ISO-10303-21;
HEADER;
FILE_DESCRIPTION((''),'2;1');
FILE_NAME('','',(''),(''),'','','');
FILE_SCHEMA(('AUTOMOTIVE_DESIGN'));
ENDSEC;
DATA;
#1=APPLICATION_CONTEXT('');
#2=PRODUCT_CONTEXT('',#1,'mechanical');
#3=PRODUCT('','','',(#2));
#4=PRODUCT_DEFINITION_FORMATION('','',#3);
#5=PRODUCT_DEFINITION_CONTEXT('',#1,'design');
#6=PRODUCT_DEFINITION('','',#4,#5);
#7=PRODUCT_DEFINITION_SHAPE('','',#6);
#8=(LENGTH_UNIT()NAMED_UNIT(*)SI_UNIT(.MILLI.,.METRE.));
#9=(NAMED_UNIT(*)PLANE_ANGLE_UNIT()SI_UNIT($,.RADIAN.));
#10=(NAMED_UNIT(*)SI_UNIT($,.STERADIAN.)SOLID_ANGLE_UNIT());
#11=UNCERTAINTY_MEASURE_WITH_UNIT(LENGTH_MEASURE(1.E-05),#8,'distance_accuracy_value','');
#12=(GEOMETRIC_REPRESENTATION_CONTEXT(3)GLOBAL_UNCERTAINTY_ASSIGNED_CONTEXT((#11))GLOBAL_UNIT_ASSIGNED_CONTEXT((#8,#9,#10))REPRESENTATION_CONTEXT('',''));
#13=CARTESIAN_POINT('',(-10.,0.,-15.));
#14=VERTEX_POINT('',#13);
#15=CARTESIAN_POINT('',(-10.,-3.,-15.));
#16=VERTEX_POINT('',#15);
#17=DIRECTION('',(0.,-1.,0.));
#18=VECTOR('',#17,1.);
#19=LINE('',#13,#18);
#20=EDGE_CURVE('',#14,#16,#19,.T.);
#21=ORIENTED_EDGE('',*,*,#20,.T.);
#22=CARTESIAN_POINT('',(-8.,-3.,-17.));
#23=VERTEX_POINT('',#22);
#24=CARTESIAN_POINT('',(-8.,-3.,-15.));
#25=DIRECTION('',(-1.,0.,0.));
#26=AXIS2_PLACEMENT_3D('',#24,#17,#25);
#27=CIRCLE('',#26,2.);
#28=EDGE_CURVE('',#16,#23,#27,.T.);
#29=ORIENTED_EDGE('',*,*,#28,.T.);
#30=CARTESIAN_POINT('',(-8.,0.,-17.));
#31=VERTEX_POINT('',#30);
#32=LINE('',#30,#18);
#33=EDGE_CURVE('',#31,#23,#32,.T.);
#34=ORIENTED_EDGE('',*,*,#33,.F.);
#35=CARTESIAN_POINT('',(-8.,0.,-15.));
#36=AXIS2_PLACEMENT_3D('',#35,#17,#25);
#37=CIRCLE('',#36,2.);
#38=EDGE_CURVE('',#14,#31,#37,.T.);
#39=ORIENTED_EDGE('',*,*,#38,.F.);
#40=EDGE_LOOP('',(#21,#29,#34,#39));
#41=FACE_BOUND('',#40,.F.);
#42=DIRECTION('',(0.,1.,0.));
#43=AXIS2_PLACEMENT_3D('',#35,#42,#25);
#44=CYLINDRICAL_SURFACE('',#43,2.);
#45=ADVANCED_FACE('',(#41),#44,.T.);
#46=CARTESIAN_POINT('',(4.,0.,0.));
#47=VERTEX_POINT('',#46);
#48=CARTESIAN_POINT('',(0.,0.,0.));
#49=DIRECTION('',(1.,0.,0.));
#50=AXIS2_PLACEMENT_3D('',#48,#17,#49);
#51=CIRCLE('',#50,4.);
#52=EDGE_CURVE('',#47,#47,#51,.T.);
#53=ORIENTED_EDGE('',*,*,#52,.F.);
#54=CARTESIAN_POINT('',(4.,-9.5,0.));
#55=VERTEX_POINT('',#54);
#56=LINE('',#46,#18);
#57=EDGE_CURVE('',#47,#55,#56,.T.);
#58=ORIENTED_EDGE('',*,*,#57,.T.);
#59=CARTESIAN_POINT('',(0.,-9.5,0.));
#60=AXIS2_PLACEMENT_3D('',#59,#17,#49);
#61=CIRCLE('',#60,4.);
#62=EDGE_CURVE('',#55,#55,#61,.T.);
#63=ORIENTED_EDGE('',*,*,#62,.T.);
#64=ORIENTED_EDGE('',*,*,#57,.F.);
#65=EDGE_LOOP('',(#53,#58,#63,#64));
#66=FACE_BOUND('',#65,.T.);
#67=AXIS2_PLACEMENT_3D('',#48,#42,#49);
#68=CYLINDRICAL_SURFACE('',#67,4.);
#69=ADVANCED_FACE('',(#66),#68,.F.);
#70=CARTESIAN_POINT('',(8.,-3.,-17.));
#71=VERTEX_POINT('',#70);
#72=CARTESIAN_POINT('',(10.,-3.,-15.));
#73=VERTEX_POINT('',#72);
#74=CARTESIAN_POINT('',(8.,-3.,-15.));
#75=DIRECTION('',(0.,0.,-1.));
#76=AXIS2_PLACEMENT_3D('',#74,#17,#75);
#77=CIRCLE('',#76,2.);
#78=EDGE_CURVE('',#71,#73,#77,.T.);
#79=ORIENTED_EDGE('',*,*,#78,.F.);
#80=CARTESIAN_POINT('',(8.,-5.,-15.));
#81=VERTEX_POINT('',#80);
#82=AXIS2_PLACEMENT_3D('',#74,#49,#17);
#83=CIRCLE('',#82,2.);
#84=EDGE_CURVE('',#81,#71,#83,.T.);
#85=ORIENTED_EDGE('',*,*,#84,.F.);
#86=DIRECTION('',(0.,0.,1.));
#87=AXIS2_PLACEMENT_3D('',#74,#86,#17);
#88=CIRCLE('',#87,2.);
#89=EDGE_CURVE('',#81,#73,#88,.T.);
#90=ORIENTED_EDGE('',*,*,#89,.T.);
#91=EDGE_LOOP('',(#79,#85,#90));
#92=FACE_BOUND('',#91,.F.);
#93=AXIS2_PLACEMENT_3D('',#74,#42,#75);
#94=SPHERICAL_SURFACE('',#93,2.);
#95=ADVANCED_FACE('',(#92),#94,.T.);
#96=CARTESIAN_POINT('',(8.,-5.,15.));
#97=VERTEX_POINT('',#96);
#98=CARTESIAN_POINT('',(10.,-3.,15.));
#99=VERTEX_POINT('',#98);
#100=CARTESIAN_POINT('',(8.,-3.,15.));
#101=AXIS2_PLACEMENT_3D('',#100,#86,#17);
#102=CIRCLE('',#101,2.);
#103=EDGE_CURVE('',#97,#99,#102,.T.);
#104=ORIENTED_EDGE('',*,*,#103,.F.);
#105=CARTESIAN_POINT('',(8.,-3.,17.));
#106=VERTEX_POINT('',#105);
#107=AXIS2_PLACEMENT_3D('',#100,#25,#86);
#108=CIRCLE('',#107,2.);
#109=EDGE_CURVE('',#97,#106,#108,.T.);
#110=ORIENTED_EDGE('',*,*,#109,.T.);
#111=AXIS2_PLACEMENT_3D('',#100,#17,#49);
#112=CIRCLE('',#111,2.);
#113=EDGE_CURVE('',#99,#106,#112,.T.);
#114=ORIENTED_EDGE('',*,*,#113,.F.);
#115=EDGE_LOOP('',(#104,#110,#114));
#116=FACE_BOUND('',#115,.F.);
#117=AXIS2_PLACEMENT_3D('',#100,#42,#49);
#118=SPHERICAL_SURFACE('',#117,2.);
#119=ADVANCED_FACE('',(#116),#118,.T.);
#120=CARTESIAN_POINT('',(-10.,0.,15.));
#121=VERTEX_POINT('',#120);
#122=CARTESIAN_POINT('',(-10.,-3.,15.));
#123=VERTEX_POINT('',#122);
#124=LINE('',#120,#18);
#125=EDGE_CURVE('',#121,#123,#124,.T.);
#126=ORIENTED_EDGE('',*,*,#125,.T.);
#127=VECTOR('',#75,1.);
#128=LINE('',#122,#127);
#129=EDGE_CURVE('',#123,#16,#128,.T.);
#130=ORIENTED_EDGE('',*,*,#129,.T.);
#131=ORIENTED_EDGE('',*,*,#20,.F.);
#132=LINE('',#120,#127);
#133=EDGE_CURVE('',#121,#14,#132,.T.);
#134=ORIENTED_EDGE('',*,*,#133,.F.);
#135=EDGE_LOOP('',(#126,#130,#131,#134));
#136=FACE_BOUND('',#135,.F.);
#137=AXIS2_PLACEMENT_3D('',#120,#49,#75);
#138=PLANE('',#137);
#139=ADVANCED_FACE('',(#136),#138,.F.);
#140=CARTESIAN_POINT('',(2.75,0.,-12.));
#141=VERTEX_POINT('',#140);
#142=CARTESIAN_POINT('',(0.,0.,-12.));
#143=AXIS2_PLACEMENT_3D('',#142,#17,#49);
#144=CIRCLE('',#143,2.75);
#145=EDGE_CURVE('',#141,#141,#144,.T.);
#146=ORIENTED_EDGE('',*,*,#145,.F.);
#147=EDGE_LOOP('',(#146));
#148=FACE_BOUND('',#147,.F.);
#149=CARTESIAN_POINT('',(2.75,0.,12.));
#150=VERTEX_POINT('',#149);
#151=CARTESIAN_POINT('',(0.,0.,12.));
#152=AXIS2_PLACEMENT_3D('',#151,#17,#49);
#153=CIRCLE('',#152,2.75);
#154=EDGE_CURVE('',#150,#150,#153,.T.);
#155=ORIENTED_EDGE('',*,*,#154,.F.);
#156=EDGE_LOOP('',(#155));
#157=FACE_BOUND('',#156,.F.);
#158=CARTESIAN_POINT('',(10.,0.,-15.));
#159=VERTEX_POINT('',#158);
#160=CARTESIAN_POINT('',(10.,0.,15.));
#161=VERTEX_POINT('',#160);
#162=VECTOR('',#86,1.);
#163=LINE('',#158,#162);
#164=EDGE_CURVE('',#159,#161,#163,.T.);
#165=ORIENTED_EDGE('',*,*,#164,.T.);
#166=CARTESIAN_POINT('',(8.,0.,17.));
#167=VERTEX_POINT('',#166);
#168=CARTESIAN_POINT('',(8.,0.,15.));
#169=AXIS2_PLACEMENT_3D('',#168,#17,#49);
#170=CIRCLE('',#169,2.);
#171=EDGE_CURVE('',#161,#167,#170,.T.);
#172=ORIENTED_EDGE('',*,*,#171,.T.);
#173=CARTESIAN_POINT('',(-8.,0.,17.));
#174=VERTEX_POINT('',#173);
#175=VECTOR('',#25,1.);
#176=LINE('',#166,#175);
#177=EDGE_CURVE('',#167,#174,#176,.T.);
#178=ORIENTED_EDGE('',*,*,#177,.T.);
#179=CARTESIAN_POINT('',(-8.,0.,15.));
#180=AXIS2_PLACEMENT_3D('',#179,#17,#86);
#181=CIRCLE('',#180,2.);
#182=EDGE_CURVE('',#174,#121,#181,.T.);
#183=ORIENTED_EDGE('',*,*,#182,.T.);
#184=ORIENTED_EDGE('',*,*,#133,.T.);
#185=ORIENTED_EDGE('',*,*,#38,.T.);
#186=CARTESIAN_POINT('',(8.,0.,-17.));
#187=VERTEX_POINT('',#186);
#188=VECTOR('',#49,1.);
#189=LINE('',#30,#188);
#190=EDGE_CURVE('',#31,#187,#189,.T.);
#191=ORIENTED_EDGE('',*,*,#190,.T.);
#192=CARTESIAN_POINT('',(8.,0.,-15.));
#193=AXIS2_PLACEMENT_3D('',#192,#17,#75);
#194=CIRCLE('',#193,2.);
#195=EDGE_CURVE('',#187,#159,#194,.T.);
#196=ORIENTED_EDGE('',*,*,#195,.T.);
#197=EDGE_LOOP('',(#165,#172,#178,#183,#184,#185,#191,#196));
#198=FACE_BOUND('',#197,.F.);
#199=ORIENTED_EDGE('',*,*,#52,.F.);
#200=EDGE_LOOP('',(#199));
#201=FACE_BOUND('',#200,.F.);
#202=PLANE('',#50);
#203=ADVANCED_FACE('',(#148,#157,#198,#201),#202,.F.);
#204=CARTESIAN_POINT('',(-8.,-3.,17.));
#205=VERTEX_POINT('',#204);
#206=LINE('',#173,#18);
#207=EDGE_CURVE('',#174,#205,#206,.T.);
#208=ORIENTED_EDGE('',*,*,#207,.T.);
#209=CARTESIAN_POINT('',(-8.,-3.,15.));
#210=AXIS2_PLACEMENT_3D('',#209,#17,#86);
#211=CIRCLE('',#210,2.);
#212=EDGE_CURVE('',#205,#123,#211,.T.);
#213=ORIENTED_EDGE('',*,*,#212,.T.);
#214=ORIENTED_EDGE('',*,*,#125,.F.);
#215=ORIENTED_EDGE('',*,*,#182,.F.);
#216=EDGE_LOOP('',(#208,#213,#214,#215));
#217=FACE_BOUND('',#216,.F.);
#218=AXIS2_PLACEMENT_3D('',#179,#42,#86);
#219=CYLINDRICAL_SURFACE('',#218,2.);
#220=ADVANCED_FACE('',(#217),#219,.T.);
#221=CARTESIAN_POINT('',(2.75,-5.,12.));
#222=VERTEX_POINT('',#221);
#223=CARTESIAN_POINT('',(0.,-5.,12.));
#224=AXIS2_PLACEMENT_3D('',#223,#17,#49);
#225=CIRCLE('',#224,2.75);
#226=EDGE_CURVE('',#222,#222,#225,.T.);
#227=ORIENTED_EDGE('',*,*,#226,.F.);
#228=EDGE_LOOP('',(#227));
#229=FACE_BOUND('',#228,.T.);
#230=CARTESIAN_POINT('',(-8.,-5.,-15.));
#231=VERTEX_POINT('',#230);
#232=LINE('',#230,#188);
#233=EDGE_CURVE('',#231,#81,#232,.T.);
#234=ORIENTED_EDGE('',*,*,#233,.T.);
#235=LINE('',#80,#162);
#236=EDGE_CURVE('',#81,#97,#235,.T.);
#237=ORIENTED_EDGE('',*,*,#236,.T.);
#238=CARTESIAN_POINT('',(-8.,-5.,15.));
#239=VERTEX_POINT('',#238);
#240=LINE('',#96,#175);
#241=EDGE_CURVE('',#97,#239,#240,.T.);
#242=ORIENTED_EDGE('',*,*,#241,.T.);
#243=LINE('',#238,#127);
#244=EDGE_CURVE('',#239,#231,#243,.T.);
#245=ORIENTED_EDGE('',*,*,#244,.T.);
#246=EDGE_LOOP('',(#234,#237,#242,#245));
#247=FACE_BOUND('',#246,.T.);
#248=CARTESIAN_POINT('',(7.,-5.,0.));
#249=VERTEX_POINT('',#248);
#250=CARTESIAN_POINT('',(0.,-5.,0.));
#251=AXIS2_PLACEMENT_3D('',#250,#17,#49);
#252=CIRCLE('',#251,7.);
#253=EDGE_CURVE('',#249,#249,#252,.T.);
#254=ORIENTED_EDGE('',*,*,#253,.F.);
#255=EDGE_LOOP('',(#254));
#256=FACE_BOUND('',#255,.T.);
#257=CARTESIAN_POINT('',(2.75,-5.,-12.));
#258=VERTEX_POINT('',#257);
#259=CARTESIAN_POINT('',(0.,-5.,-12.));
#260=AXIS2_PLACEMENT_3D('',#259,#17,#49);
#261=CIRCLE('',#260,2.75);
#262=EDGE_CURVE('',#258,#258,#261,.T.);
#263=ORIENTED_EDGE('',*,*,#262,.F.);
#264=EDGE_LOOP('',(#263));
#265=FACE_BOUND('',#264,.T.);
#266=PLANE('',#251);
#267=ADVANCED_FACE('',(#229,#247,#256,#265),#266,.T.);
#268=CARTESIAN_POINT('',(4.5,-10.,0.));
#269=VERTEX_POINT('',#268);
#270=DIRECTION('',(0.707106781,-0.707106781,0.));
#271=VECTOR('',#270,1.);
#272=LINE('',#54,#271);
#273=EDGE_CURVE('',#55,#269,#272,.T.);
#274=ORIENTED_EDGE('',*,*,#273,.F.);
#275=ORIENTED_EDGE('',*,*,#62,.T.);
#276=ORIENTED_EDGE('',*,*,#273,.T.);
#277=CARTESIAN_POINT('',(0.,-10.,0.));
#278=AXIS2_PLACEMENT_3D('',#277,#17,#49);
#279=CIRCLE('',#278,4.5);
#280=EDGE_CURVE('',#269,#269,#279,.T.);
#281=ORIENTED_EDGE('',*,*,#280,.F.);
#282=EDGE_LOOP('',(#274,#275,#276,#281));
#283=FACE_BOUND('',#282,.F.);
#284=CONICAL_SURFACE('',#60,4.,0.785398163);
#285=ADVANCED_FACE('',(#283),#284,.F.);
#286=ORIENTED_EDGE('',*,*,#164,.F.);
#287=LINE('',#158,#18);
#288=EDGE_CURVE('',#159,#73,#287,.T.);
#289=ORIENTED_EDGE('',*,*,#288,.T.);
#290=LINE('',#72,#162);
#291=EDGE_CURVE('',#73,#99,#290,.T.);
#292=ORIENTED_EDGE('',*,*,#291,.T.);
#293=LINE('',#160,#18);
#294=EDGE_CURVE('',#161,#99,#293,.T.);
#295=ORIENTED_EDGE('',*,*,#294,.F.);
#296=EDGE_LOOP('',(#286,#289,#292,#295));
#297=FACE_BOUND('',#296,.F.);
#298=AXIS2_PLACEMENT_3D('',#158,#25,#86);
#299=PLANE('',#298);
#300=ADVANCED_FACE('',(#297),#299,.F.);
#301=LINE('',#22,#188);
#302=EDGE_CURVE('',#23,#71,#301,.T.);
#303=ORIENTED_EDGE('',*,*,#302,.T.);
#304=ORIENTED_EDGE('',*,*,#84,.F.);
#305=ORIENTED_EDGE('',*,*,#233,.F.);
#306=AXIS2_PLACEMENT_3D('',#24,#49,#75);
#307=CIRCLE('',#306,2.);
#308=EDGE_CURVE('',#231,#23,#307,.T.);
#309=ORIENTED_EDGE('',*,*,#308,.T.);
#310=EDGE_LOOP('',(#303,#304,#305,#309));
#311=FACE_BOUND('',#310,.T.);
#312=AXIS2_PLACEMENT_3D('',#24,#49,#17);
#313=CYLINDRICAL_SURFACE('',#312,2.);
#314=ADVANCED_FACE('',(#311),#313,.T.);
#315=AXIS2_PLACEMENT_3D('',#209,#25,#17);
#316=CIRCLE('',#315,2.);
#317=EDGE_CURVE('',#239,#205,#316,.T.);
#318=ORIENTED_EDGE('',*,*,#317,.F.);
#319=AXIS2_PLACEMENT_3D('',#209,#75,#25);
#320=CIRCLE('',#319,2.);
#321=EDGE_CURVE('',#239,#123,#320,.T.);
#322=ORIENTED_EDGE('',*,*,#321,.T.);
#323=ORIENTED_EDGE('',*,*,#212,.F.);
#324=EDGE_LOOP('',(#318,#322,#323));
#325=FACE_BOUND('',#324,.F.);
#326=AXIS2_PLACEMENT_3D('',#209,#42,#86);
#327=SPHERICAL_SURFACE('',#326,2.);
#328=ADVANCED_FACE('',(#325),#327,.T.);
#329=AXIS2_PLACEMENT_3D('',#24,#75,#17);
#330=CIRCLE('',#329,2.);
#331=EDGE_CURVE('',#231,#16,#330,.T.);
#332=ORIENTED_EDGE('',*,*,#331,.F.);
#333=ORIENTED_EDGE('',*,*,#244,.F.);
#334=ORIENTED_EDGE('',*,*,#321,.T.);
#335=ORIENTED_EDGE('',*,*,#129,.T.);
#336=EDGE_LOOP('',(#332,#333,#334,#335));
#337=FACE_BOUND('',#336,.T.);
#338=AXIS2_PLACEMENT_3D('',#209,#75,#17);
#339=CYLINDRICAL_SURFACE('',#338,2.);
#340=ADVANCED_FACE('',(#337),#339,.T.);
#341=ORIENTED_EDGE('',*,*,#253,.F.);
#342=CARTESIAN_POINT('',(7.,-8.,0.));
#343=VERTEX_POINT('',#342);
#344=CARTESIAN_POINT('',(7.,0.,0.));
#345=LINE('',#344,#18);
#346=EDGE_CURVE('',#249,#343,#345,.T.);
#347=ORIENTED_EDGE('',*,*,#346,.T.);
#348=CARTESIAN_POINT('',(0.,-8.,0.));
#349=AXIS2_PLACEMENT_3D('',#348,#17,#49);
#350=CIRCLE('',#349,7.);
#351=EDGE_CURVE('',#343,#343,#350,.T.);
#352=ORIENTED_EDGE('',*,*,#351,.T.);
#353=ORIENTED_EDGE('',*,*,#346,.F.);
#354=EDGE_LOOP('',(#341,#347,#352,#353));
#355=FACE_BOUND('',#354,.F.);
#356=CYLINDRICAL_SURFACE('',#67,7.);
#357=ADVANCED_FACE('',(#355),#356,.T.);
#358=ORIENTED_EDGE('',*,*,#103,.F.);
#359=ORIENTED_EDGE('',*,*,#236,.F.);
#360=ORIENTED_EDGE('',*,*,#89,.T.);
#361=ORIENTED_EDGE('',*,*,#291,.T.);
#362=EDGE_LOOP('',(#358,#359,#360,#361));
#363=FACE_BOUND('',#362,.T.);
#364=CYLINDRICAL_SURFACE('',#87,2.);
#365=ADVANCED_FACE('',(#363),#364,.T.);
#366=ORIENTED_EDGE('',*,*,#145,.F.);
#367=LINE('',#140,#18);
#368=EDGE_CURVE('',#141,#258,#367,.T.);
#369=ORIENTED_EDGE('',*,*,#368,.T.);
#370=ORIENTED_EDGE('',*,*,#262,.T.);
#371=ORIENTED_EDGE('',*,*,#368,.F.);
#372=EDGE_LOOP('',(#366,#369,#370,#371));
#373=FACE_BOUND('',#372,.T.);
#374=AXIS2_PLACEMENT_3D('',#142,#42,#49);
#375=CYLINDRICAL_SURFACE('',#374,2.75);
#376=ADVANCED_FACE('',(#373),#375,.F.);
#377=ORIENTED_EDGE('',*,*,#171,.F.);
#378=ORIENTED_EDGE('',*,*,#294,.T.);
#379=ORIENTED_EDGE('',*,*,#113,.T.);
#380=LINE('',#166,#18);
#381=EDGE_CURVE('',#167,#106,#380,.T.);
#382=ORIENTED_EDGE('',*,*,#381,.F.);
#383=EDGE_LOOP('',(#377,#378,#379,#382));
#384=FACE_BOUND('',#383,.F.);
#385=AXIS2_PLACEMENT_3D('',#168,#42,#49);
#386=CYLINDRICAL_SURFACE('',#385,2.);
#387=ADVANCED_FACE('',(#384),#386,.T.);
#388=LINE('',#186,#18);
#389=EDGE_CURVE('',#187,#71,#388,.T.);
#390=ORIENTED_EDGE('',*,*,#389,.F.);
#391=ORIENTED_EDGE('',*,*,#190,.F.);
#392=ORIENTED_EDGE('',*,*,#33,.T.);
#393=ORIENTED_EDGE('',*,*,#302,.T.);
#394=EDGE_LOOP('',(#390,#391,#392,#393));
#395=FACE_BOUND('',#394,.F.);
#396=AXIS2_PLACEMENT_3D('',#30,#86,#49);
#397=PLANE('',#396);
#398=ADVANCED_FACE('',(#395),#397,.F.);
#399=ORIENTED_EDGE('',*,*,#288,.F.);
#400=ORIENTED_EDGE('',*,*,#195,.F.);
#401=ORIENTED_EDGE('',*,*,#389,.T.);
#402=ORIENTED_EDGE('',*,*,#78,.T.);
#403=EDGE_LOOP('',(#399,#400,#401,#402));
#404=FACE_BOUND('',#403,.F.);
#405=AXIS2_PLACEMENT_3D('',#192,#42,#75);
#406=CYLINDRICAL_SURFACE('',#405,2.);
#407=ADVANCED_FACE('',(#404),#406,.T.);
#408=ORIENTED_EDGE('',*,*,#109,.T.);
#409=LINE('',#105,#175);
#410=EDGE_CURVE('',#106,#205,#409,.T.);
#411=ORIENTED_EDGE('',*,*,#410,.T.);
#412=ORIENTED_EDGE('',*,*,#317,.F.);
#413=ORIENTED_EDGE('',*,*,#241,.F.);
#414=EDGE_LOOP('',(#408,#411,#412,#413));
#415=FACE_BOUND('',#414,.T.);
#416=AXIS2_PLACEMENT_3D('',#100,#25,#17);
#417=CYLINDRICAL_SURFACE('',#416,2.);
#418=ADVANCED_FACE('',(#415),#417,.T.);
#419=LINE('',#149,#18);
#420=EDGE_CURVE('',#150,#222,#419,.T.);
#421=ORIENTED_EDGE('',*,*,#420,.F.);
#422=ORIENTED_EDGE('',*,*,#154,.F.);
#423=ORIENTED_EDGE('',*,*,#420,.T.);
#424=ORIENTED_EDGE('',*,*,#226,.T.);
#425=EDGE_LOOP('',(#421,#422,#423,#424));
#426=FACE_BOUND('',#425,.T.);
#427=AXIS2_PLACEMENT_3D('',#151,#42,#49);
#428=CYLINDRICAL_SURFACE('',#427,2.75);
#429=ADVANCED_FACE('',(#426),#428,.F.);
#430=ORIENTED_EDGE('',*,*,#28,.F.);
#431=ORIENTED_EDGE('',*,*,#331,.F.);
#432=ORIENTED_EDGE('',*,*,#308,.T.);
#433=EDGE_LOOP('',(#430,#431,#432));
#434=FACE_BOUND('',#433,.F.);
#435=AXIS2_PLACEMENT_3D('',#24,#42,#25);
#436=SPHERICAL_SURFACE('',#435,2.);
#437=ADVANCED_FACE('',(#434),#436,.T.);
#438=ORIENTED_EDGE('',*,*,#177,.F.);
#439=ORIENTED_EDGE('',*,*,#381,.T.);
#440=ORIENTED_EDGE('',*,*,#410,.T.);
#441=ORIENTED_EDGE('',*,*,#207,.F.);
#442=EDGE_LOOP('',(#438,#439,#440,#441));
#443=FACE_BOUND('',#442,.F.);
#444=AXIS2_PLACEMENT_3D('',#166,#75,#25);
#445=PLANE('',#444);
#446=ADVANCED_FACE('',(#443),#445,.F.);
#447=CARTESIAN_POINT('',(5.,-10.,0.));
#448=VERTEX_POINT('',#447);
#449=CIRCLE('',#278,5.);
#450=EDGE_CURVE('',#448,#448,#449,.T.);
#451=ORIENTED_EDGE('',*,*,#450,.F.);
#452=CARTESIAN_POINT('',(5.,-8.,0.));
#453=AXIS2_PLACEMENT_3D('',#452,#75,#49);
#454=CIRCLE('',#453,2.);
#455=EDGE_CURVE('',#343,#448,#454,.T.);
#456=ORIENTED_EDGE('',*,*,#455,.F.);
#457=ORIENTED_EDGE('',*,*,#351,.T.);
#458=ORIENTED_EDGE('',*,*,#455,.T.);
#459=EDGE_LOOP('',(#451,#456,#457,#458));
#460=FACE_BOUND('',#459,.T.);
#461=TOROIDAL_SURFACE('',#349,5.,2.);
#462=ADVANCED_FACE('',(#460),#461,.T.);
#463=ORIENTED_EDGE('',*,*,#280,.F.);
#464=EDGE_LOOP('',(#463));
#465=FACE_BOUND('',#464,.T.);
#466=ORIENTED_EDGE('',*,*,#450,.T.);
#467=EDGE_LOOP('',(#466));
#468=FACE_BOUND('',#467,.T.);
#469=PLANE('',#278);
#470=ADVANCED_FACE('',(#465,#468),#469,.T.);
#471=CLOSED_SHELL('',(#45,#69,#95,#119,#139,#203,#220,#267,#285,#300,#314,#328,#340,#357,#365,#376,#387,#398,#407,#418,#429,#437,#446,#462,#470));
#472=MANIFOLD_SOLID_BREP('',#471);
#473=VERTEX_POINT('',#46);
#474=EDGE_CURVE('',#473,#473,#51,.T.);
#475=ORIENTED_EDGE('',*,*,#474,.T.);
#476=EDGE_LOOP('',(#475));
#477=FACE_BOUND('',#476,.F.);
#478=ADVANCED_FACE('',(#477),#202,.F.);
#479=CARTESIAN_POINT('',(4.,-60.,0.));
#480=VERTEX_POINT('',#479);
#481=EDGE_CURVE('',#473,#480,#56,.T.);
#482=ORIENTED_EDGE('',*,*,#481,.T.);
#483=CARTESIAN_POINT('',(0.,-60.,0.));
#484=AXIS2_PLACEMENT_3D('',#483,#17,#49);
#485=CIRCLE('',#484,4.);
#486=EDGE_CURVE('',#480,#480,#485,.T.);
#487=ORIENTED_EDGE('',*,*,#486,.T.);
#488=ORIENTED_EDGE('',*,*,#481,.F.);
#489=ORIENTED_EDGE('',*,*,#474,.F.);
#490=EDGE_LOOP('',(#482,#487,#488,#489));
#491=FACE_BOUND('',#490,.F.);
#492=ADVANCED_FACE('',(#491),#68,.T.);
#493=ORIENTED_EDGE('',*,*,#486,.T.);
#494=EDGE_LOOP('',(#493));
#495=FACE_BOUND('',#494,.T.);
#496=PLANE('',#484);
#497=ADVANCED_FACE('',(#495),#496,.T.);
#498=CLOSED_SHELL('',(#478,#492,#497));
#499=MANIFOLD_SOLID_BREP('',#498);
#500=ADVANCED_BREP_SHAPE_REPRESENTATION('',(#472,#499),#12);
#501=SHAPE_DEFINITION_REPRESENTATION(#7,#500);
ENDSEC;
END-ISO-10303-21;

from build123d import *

# Parameters (mm, degrees)
F0_R     = 7
F0_R_2   = 4
F1_DEPTH = 10
F0_R_3   = 2.75
F2_DEPTH = 5
F3_DEPTH = 60
F4_R     = 2
F5_R     = 2
F6_SIZE  = 0.5


with BuildPart() as f1:
    # F0 (on Front) → F1 (new body)
    with BuildSketch(Plane.XZ):
        Circle(F0_R)
        Circle(F0_R_2, mode=Mode.SUBTRACT)
    extrude(amount=F1_DEPTH)

    # F0 (on Front) → F2 (join)
    with BuildSketch(Plane.XZ):
        with BuildLine():
            ThreePointArc((10, 15), (9.4142135624, 16.4142135624), (8, 17))
            Line((8, 17), (-8, 17))
            ThreePointArc((-8, 17), (-9.4142135624, 16.4142135624), (-10, 15))
            Line((-10, 15), (-10, -15))
            ThreePointArc((-10, -15), (-9.4142135624, -16.4142135624), (-8, -17))
            Line((-8, -17), (8, -17))
            ThreePointArc((8, -17), (9.4142135624, -16.4142135624), (10, -15))
            Line((10, -15), (10, 15))
        make_face()
        with Locations((0, -12)):
            Circle(F0_R_3, mode=Mode.SUBTRACT)
        Circle(F0_R, mode=Mode.SUBTRACT)
        with Locations((0, 12)):
            Circle(F0_R_3, mode=Mode.SUBTRACT)
    extrude(amount=F2_DEPTH)

    # F4
    f4_edges = [f1.edges().sort_by_distance(p)[0] for p in [
        (-7, -10, 0),
    ]]
    fillet(f4_edges, radius=F4_R)

    # F5
    f5_edges = [f1.edges().sort_by_distance(p)[0] for p in [
        (10, -5, 0),
    ]]
    fillet(f5_edges, radius=F5_R)

    # F6
    f6_edges = [f1.edges().sort_by_distance(p)[0] for p in [
        (-5, -10, 0),
        (-4, -10, 0),
    ]]
    chamfer(f6_edges, length=F6_SIZE)


with BuildPart() as f3:
    # F0 (on Front) → F3 (new body)
    with BuildSketch(Plane.XZ):
        Circle(F0_R_2)
    extrude(amount=F3_DEPTH)


solid = Compound([f1.part, f3.part])
